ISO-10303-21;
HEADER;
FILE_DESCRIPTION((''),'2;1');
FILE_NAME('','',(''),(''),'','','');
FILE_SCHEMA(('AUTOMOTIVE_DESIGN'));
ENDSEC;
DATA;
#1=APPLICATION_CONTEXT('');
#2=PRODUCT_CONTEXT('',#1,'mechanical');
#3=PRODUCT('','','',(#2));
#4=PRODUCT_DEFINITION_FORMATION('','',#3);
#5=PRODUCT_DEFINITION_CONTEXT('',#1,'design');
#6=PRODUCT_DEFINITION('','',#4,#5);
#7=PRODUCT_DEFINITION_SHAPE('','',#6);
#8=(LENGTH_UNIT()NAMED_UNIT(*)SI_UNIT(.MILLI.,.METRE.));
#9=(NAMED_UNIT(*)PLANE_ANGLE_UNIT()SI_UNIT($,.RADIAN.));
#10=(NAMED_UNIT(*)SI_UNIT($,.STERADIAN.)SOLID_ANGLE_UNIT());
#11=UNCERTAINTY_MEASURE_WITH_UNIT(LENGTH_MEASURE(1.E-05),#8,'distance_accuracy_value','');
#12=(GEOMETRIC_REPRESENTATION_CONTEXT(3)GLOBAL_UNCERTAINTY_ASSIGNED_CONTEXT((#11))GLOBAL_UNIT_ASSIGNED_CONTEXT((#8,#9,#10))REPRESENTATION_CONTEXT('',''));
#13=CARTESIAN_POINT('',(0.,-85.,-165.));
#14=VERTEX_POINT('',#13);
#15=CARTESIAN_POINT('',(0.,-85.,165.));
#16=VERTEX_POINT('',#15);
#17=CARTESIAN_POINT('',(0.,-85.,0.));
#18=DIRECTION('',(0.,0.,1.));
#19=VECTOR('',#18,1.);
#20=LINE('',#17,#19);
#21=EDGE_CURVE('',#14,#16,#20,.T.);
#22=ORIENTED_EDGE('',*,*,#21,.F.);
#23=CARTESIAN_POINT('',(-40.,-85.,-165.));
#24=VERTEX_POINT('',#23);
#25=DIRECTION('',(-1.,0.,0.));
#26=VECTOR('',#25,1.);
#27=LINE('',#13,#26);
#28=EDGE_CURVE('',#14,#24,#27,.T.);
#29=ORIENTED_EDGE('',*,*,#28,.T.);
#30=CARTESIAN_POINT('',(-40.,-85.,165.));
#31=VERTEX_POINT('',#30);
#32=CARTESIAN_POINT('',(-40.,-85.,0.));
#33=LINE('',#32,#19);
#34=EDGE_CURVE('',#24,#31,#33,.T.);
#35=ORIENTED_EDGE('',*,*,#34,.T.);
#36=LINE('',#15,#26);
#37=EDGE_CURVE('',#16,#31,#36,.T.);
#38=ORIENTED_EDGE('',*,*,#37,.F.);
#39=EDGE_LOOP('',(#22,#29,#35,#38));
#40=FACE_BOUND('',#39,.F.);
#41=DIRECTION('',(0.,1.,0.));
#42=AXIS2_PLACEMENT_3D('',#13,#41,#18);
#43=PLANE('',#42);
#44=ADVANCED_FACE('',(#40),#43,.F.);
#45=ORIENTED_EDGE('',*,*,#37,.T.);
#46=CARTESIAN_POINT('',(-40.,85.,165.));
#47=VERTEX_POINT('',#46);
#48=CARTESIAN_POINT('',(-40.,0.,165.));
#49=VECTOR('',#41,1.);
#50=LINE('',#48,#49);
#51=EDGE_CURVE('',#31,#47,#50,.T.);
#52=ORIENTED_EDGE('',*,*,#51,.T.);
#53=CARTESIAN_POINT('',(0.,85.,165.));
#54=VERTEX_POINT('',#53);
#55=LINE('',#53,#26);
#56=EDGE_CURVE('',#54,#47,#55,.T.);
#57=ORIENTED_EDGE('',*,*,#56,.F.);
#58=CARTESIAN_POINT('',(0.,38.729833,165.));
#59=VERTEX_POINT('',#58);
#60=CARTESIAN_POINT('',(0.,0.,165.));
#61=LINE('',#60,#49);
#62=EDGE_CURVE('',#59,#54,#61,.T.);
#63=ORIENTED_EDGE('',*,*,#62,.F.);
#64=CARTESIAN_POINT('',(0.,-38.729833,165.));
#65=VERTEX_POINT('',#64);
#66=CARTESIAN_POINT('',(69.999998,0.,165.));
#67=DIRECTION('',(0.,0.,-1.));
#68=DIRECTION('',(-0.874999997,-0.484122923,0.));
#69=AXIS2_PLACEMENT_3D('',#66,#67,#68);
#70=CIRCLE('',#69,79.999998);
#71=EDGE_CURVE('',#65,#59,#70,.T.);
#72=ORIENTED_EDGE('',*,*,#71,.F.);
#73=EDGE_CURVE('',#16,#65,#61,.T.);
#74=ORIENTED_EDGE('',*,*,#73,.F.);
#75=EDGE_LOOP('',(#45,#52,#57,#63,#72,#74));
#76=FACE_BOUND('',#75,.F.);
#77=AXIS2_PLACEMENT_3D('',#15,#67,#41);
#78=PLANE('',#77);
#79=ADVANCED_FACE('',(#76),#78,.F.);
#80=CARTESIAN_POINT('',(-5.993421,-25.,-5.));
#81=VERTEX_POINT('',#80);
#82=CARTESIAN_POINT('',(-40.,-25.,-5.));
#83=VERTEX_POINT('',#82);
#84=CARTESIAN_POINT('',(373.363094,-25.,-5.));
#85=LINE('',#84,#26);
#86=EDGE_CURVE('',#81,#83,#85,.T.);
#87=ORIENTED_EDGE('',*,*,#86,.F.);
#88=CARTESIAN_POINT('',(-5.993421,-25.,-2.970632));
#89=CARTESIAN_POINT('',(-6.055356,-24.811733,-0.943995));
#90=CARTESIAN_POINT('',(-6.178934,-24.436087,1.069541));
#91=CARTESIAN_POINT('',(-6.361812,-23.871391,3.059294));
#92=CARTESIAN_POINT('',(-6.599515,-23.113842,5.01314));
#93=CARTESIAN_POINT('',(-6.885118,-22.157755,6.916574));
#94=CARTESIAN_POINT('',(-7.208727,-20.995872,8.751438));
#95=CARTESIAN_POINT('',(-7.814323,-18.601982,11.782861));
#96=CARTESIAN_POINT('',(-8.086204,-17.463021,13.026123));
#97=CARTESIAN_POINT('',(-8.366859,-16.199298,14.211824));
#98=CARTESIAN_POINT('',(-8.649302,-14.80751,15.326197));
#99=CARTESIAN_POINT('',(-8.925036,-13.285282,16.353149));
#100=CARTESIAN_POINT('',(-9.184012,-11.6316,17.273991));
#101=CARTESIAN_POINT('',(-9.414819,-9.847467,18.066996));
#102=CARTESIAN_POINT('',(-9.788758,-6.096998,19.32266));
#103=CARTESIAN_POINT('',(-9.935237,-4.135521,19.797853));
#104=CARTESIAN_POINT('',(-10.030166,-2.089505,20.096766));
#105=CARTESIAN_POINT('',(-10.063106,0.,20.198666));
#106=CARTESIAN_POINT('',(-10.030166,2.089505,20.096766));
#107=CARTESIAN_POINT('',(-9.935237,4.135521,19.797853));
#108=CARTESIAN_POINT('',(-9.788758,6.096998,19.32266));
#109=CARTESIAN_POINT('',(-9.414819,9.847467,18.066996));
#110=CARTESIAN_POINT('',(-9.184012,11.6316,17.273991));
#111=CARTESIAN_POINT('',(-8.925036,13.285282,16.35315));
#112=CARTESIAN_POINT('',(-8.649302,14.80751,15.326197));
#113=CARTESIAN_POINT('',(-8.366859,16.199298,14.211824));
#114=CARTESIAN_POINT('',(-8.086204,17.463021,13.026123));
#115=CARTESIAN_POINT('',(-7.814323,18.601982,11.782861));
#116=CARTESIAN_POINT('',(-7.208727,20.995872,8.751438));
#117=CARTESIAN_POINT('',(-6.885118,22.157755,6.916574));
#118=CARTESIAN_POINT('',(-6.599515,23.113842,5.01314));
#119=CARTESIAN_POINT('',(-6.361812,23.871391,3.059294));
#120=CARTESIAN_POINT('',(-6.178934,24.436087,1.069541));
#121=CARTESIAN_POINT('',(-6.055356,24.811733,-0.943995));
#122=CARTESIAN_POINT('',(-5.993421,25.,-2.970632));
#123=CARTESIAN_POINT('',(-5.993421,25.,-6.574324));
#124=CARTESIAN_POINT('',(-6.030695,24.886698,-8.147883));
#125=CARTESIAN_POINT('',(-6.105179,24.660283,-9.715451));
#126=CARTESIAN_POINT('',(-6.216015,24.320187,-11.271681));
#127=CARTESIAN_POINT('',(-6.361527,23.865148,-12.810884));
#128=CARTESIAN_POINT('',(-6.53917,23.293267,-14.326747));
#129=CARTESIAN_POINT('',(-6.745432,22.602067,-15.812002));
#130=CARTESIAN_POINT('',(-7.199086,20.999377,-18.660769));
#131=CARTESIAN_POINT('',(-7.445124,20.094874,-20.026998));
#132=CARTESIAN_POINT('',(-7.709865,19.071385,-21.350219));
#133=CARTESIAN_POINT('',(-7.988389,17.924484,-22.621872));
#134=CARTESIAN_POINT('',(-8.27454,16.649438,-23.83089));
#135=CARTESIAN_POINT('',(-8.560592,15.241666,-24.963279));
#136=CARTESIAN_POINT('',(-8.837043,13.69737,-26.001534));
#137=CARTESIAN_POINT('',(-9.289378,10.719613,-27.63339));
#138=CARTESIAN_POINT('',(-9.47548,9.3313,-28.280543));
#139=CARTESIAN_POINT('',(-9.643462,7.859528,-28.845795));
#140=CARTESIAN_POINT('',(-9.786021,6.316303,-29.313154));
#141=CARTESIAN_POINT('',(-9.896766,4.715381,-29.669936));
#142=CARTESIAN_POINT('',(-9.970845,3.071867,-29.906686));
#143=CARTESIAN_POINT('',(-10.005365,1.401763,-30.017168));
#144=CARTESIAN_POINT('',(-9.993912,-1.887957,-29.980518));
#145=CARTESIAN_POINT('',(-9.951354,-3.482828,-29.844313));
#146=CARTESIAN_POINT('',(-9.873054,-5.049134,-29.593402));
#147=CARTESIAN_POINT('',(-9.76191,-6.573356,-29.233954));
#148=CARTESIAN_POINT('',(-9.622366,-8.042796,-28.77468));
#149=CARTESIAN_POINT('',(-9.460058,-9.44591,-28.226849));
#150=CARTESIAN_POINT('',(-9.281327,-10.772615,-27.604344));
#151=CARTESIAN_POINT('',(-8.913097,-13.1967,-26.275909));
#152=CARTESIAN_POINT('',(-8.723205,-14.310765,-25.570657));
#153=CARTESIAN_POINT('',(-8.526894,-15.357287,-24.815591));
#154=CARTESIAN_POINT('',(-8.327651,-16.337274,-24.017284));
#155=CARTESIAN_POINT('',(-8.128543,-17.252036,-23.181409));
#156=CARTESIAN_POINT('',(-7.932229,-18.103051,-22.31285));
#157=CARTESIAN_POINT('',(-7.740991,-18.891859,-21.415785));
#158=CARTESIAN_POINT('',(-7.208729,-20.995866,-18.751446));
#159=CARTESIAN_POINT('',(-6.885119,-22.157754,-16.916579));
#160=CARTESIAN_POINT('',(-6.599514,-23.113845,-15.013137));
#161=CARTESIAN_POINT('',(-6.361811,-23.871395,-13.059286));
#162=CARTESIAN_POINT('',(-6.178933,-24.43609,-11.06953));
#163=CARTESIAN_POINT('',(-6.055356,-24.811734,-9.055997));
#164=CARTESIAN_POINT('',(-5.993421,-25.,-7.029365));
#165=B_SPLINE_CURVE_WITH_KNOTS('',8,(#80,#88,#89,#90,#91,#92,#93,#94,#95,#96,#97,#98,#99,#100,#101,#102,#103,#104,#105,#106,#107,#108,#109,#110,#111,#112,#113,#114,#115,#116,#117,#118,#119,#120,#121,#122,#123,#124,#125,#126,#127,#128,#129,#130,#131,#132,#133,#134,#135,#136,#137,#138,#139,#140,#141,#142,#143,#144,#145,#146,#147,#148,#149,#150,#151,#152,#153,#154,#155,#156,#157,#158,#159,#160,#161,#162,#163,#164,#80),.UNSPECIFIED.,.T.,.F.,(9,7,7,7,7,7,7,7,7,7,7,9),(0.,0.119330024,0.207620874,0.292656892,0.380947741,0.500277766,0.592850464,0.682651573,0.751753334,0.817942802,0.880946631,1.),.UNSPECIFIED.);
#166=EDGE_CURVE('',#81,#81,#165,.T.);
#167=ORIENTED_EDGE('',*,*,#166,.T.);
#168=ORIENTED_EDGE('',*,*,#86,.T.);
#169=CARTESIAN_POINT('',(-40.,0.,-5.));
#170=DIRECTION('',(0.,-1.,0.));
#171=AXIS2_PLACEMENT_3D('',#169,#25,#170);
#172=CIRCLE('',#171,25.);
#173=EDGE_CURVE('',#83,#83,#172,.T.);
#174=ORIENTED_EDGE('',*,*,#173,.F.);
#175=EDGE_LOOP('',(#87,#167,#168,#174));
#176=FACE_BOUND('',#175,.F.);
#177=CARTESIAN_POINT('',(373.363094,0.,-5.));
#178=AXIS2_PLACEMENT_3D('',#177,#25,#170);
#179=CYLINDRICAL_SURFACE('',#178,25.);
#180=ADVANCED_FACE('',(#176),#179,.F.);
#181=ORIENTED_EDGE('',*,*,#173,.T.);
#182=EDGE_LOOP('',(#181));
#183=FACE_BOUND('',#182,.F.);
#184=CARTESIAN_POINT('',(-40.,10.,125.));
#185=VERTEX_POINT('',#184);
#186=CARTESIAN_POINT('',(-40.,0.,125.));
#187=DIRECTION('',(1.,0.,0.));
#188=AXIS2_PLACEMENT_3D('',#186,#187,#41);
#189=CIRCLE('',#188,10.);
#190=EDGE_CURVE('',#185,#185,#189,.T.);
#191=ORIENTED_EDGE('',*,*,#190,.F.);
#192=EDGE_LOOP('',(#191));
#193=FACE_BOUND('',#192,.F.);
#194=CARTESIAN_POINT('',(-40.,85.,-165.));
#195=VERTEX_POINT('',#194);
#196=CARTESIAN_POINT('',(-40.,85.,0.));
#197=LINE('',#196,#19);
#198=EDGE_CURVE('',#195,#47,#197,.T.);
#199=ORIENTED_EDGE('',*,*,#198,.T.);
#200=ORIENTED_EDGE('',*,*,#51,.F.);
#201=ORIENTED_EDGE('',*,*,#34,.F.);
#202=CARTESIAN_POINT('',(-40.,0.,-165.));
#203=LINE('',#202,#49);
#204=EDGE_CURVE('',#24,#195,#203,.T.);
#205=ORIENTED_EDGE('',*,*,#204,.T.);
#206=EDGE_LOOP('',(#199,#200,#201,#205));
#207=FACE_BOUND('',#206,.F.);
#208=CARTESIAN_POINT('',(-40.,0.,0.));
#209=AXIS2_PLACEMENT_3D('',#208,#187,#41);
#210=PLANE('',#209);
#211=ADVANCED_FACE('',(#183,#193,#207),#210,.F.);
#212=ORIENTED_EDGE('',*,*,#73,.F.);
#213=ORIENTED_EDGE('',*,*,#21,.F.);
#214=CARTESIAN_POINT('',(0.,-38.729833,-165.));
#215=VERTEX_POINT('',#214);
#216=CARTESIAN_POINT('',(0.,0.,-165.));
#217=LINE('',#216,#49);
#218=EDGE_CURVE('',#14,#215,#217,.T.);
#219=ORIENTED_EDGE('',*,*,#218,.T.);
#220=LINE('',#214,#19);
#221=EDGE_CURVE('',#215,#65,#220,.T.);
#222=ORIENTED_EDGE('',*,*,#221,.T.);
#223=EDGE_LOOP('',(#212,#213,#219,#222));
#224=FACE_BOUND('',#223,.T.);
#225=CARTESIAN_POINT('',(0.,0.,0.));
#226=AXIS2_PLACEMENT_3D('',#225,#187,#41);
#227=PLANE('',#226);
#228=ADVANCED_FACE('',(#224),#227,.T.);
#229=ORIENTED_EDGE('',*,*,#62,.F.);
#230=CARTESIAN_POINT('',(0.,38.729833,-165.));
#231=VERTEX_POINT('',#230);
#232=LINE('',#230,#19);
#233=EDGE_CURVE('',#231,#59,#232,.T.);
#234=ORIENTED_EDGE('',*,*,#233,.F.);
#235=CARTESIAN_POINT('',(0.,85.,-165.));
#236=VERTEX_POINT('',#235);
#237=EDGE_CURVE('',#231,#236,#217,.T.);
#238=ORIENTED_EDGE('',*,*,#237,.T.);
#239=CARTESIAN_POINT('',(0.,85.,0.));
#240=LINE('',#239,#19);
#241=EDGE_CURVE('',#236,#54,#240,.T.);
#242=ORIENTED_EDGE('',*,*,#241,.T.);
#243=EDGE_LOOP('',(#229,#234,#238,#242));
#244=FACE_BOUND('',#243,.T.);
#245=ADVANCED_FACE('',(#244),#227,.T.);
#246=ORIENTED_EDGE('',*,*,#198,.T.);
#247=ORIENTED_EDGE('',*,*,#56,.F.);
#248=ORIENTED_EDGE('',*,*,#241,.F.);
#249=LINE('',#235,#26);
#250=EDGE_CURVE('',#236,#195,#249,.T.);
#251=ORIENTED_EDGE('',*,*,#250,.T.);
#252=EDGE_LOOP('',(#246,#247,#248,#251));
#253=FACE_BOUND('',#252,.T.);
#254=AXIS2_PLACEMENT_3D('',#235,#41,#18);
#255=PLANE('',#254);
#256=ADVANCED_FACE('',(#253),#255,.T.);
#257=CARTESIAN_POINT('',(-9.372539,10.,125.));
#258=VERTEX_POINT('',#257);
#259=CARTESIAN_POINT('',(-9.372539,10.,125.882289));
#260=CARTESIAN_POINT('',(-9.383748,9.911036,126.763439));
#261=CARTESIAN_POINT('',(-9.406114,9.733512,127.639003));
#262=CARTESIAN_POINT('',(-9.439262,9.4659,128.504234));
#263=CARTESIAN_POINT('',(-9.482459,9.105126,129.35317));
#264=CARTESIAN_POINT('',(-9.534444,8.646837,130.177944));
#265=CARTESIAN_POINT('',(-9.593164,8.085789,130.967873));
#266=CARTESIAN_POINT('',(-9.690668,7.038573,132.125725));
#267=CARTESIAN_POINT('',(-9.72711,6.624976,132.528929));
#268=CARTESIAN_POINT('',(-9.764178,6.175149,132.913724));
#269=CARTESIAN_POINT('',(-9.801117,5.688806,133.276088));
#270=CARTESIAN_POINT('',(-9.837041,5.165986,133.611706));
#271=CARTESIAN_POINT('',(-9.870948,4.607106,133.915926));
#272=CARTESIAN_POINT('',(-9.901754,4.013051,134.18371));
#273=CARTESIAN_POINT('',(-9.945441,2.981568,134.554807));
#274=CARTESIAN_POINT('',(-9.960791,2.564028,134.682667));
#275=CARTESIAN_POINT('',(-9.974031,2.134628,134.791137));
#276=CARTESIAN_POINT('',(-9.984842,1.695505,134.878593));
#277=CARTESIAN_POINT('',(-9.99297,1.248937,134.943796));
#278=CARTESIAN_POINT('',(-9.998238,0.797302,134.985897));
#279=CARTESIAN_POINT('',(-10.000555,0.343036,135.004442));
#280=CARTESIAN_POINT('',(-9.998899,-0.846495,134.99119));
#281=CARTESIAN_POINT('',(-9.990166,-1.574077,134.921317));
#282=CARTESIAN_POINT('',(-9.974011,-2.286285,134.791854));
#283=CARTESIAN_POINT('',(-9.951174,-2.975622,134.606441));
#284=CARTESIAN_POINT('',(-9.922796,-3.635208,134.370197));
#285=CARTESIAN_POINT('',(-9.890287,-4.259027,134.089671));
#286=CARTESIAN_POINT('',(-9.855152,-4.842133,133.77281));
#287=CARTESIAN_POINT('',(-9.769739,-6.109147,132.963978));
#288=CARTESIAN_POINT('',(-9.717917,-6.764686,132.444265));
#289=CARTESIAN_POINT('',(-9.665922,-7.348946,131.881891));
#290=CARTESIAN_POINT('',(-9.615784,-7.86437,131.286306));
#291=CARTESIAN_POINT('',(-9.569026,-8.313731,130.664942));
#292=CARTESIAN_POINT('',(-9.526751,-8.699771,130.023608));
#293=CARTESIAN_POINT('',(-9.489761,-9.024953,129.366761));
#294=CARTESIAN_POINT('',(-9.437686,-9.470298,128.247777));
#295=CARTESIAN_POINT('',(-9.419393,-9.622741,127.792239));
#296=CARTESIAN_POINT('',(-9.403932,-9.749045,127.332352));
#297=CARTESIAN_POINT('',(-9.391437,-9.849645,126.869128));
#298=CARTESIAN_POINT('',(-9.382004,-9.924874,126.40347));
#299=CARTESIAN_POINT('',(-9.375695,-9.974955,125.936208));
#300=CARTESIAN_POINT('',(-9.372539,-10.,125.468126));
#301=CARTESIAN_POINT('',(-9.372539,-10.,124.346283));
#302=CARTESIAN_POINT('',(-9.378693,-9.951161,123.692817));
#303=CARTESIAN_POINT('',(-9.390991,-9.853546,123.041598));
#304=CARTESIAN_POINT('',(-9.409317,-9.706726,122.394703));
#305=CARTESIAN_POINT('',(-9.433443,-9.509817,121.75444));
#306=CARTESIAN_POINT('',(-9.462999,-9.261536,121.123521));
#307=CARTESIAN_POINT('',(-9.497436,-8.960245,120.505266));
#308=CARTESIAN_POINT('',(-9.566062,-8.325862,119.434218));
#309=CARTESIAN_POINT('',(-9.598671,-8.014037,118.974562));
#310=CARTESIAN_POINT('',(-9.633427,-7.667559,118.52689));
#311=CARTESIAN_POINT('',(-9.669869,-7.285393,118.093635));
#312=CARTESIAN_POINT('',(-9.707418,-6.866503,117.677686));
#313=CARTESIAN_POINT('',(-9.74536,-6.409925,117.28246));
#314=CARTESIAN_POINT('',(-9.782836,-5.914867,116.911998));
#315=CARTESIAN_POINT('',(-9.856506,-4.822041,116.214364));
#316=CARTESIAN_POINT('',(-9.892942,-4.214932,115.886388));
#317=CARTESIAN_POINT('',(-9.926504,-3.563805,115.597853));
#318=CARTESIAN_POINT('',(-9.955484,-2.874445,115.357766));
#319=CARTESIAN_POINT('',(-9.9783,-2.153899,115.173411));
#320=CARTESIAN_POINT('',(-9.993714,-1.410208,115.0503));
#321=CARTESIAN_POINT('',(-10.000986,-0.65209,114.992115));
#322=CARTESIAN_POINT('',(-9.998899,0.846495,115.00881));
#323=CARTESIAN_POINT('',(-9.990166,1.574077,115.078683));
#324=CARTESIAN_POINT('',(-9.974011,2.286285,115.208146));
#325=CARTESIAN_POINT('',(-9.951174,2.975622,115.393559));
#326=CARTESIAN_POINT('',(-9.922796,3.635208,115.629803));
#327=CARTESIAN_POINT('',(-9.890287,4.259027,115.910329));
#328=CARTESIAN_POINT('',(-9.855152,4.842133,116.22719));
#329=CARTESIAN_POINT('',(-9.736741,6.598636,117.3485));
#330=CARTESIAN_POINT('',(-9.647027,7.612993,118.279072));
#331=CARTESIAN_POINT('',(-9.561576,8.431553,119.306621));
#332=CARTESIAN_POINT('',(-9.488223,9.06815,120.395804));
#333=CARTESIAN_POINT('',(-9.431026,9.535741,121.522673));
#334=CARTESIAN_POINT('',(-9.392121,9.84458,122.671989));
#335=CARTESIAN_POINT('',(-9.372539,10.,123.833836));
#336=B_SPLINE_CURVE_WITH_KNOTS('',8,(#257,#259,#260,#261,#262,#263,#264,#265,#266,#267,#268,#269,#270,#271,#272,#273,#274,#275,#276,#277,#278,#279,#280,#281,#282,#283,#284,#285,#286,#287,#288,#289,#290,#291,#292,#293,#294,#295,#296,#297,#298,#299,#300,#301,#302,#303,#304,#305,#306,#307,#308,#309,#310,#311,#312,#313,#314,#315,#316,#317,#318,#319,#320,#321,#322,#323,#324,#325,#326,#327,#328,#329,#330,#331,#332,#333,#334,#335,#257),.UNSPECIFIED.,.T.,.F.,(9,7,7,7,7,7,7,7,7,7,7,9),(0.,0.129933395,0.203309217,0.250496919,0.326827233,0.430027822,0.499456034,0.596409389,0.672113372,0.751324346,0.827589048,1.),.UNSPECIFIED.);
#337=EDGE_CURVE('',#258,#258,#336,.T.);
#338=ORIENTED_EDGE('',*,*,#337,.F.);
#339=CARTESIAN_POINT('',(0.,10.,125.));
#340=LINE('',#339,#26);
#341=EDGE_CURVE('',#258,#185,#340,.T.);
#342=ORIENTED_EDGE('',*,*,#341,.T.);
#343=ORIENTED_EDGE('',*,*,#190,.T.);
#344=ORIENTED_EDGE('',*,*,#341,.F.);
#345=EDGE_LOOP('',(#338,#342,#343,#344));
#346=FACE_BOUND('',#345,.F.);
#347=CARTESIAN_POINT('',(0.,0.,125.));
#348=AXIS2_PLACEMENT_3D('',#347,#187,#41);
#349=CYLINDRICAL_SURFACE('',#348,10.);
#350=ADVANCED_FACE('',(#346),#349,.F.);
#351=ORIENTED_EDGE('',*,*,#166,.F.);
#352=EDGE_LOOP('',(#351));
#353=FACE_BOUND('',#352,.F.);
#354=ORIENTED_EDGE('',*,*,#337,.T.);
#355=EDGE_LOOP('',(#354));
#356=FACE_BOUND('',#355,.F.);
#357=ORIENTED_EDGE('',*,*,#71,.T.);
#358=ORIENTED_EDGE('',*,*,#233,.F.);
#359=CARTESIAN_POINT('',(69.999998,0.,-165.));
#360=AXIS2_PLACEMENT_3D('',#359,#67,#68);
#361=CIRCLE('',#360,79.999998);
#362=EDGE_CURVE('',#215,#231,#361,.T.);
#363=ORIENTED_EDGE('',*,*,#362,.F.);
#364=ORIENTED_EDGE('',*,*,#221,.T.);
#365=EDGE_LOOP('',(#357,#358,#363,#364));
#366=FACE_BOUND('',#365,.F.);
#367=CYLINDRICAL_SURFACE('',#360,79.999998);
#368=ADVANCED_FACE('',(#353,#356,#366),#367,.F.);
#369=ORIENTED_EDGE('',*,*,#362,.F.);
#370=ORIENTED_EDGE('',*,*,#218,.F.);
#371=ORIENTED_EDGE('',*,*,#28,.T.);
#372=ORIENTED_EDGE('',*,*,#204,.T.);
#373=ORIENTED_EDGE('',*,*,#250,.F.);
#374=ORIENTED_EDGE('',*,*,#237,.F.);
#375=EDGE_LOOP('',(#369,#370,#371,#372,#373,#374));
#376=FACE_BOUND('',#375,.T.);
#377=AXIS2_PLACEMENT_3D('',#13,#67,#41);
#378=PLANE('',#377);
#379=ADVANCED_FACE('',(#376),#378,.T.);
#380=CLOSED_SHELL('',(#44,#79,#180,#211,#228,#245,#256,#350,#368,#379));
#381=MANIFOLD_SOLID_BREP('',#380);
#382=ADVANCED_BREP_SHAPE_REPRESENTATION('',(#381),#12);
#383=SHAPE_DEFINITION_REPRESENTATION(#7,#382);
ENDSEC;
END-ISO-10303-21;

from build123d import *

# Parameters (mm, degrees)
F0_W     = 170
F0_H     = 330
F0_R     = 25
F0_R_2   = 10
F1_DEPTH = 40
F2_D     = 50
F4_DEPTH = 330.001


with BuildPart() as f1:
    # F0 (on Right) → F1 (new body)
    with BuildSketch(Plane.YZ):
        Rectangle(F0_W, F0_H)
        with Locations((0, -5)):
            Circle(F0_R, mode=Mode.SUBTRACT)
        with Locations((0, 125)):
            Circle(F0_R_2, mode=Mode.SUBTRACT)
        with Locations((0, -5)):
            Circle(F0_R)
    extrude(amount=-F1_DEPTH)

    # F2 (through all)
    with Locations(Plane.YZ):
        with Locations((0, -5)):
            Hole(F2_D / 2)

    # F3 (on face) → F4 (cut, through all)
    with BuildSketch(Plane(origin=(0, 0, -165), x_dir=(1, 0, 0), z_dir=(0, 0, -1))):
        with BuildLine():
            Line((0, -38.729833), (0, 38.729833))
            ThreePointArc((0, 38.729833), (-10, 0), (0, -38.729833))
        make_face()
    extrude(amount=-F4_DEPTH, mode=Mode.SUBTRACT)


solid = f1.part
